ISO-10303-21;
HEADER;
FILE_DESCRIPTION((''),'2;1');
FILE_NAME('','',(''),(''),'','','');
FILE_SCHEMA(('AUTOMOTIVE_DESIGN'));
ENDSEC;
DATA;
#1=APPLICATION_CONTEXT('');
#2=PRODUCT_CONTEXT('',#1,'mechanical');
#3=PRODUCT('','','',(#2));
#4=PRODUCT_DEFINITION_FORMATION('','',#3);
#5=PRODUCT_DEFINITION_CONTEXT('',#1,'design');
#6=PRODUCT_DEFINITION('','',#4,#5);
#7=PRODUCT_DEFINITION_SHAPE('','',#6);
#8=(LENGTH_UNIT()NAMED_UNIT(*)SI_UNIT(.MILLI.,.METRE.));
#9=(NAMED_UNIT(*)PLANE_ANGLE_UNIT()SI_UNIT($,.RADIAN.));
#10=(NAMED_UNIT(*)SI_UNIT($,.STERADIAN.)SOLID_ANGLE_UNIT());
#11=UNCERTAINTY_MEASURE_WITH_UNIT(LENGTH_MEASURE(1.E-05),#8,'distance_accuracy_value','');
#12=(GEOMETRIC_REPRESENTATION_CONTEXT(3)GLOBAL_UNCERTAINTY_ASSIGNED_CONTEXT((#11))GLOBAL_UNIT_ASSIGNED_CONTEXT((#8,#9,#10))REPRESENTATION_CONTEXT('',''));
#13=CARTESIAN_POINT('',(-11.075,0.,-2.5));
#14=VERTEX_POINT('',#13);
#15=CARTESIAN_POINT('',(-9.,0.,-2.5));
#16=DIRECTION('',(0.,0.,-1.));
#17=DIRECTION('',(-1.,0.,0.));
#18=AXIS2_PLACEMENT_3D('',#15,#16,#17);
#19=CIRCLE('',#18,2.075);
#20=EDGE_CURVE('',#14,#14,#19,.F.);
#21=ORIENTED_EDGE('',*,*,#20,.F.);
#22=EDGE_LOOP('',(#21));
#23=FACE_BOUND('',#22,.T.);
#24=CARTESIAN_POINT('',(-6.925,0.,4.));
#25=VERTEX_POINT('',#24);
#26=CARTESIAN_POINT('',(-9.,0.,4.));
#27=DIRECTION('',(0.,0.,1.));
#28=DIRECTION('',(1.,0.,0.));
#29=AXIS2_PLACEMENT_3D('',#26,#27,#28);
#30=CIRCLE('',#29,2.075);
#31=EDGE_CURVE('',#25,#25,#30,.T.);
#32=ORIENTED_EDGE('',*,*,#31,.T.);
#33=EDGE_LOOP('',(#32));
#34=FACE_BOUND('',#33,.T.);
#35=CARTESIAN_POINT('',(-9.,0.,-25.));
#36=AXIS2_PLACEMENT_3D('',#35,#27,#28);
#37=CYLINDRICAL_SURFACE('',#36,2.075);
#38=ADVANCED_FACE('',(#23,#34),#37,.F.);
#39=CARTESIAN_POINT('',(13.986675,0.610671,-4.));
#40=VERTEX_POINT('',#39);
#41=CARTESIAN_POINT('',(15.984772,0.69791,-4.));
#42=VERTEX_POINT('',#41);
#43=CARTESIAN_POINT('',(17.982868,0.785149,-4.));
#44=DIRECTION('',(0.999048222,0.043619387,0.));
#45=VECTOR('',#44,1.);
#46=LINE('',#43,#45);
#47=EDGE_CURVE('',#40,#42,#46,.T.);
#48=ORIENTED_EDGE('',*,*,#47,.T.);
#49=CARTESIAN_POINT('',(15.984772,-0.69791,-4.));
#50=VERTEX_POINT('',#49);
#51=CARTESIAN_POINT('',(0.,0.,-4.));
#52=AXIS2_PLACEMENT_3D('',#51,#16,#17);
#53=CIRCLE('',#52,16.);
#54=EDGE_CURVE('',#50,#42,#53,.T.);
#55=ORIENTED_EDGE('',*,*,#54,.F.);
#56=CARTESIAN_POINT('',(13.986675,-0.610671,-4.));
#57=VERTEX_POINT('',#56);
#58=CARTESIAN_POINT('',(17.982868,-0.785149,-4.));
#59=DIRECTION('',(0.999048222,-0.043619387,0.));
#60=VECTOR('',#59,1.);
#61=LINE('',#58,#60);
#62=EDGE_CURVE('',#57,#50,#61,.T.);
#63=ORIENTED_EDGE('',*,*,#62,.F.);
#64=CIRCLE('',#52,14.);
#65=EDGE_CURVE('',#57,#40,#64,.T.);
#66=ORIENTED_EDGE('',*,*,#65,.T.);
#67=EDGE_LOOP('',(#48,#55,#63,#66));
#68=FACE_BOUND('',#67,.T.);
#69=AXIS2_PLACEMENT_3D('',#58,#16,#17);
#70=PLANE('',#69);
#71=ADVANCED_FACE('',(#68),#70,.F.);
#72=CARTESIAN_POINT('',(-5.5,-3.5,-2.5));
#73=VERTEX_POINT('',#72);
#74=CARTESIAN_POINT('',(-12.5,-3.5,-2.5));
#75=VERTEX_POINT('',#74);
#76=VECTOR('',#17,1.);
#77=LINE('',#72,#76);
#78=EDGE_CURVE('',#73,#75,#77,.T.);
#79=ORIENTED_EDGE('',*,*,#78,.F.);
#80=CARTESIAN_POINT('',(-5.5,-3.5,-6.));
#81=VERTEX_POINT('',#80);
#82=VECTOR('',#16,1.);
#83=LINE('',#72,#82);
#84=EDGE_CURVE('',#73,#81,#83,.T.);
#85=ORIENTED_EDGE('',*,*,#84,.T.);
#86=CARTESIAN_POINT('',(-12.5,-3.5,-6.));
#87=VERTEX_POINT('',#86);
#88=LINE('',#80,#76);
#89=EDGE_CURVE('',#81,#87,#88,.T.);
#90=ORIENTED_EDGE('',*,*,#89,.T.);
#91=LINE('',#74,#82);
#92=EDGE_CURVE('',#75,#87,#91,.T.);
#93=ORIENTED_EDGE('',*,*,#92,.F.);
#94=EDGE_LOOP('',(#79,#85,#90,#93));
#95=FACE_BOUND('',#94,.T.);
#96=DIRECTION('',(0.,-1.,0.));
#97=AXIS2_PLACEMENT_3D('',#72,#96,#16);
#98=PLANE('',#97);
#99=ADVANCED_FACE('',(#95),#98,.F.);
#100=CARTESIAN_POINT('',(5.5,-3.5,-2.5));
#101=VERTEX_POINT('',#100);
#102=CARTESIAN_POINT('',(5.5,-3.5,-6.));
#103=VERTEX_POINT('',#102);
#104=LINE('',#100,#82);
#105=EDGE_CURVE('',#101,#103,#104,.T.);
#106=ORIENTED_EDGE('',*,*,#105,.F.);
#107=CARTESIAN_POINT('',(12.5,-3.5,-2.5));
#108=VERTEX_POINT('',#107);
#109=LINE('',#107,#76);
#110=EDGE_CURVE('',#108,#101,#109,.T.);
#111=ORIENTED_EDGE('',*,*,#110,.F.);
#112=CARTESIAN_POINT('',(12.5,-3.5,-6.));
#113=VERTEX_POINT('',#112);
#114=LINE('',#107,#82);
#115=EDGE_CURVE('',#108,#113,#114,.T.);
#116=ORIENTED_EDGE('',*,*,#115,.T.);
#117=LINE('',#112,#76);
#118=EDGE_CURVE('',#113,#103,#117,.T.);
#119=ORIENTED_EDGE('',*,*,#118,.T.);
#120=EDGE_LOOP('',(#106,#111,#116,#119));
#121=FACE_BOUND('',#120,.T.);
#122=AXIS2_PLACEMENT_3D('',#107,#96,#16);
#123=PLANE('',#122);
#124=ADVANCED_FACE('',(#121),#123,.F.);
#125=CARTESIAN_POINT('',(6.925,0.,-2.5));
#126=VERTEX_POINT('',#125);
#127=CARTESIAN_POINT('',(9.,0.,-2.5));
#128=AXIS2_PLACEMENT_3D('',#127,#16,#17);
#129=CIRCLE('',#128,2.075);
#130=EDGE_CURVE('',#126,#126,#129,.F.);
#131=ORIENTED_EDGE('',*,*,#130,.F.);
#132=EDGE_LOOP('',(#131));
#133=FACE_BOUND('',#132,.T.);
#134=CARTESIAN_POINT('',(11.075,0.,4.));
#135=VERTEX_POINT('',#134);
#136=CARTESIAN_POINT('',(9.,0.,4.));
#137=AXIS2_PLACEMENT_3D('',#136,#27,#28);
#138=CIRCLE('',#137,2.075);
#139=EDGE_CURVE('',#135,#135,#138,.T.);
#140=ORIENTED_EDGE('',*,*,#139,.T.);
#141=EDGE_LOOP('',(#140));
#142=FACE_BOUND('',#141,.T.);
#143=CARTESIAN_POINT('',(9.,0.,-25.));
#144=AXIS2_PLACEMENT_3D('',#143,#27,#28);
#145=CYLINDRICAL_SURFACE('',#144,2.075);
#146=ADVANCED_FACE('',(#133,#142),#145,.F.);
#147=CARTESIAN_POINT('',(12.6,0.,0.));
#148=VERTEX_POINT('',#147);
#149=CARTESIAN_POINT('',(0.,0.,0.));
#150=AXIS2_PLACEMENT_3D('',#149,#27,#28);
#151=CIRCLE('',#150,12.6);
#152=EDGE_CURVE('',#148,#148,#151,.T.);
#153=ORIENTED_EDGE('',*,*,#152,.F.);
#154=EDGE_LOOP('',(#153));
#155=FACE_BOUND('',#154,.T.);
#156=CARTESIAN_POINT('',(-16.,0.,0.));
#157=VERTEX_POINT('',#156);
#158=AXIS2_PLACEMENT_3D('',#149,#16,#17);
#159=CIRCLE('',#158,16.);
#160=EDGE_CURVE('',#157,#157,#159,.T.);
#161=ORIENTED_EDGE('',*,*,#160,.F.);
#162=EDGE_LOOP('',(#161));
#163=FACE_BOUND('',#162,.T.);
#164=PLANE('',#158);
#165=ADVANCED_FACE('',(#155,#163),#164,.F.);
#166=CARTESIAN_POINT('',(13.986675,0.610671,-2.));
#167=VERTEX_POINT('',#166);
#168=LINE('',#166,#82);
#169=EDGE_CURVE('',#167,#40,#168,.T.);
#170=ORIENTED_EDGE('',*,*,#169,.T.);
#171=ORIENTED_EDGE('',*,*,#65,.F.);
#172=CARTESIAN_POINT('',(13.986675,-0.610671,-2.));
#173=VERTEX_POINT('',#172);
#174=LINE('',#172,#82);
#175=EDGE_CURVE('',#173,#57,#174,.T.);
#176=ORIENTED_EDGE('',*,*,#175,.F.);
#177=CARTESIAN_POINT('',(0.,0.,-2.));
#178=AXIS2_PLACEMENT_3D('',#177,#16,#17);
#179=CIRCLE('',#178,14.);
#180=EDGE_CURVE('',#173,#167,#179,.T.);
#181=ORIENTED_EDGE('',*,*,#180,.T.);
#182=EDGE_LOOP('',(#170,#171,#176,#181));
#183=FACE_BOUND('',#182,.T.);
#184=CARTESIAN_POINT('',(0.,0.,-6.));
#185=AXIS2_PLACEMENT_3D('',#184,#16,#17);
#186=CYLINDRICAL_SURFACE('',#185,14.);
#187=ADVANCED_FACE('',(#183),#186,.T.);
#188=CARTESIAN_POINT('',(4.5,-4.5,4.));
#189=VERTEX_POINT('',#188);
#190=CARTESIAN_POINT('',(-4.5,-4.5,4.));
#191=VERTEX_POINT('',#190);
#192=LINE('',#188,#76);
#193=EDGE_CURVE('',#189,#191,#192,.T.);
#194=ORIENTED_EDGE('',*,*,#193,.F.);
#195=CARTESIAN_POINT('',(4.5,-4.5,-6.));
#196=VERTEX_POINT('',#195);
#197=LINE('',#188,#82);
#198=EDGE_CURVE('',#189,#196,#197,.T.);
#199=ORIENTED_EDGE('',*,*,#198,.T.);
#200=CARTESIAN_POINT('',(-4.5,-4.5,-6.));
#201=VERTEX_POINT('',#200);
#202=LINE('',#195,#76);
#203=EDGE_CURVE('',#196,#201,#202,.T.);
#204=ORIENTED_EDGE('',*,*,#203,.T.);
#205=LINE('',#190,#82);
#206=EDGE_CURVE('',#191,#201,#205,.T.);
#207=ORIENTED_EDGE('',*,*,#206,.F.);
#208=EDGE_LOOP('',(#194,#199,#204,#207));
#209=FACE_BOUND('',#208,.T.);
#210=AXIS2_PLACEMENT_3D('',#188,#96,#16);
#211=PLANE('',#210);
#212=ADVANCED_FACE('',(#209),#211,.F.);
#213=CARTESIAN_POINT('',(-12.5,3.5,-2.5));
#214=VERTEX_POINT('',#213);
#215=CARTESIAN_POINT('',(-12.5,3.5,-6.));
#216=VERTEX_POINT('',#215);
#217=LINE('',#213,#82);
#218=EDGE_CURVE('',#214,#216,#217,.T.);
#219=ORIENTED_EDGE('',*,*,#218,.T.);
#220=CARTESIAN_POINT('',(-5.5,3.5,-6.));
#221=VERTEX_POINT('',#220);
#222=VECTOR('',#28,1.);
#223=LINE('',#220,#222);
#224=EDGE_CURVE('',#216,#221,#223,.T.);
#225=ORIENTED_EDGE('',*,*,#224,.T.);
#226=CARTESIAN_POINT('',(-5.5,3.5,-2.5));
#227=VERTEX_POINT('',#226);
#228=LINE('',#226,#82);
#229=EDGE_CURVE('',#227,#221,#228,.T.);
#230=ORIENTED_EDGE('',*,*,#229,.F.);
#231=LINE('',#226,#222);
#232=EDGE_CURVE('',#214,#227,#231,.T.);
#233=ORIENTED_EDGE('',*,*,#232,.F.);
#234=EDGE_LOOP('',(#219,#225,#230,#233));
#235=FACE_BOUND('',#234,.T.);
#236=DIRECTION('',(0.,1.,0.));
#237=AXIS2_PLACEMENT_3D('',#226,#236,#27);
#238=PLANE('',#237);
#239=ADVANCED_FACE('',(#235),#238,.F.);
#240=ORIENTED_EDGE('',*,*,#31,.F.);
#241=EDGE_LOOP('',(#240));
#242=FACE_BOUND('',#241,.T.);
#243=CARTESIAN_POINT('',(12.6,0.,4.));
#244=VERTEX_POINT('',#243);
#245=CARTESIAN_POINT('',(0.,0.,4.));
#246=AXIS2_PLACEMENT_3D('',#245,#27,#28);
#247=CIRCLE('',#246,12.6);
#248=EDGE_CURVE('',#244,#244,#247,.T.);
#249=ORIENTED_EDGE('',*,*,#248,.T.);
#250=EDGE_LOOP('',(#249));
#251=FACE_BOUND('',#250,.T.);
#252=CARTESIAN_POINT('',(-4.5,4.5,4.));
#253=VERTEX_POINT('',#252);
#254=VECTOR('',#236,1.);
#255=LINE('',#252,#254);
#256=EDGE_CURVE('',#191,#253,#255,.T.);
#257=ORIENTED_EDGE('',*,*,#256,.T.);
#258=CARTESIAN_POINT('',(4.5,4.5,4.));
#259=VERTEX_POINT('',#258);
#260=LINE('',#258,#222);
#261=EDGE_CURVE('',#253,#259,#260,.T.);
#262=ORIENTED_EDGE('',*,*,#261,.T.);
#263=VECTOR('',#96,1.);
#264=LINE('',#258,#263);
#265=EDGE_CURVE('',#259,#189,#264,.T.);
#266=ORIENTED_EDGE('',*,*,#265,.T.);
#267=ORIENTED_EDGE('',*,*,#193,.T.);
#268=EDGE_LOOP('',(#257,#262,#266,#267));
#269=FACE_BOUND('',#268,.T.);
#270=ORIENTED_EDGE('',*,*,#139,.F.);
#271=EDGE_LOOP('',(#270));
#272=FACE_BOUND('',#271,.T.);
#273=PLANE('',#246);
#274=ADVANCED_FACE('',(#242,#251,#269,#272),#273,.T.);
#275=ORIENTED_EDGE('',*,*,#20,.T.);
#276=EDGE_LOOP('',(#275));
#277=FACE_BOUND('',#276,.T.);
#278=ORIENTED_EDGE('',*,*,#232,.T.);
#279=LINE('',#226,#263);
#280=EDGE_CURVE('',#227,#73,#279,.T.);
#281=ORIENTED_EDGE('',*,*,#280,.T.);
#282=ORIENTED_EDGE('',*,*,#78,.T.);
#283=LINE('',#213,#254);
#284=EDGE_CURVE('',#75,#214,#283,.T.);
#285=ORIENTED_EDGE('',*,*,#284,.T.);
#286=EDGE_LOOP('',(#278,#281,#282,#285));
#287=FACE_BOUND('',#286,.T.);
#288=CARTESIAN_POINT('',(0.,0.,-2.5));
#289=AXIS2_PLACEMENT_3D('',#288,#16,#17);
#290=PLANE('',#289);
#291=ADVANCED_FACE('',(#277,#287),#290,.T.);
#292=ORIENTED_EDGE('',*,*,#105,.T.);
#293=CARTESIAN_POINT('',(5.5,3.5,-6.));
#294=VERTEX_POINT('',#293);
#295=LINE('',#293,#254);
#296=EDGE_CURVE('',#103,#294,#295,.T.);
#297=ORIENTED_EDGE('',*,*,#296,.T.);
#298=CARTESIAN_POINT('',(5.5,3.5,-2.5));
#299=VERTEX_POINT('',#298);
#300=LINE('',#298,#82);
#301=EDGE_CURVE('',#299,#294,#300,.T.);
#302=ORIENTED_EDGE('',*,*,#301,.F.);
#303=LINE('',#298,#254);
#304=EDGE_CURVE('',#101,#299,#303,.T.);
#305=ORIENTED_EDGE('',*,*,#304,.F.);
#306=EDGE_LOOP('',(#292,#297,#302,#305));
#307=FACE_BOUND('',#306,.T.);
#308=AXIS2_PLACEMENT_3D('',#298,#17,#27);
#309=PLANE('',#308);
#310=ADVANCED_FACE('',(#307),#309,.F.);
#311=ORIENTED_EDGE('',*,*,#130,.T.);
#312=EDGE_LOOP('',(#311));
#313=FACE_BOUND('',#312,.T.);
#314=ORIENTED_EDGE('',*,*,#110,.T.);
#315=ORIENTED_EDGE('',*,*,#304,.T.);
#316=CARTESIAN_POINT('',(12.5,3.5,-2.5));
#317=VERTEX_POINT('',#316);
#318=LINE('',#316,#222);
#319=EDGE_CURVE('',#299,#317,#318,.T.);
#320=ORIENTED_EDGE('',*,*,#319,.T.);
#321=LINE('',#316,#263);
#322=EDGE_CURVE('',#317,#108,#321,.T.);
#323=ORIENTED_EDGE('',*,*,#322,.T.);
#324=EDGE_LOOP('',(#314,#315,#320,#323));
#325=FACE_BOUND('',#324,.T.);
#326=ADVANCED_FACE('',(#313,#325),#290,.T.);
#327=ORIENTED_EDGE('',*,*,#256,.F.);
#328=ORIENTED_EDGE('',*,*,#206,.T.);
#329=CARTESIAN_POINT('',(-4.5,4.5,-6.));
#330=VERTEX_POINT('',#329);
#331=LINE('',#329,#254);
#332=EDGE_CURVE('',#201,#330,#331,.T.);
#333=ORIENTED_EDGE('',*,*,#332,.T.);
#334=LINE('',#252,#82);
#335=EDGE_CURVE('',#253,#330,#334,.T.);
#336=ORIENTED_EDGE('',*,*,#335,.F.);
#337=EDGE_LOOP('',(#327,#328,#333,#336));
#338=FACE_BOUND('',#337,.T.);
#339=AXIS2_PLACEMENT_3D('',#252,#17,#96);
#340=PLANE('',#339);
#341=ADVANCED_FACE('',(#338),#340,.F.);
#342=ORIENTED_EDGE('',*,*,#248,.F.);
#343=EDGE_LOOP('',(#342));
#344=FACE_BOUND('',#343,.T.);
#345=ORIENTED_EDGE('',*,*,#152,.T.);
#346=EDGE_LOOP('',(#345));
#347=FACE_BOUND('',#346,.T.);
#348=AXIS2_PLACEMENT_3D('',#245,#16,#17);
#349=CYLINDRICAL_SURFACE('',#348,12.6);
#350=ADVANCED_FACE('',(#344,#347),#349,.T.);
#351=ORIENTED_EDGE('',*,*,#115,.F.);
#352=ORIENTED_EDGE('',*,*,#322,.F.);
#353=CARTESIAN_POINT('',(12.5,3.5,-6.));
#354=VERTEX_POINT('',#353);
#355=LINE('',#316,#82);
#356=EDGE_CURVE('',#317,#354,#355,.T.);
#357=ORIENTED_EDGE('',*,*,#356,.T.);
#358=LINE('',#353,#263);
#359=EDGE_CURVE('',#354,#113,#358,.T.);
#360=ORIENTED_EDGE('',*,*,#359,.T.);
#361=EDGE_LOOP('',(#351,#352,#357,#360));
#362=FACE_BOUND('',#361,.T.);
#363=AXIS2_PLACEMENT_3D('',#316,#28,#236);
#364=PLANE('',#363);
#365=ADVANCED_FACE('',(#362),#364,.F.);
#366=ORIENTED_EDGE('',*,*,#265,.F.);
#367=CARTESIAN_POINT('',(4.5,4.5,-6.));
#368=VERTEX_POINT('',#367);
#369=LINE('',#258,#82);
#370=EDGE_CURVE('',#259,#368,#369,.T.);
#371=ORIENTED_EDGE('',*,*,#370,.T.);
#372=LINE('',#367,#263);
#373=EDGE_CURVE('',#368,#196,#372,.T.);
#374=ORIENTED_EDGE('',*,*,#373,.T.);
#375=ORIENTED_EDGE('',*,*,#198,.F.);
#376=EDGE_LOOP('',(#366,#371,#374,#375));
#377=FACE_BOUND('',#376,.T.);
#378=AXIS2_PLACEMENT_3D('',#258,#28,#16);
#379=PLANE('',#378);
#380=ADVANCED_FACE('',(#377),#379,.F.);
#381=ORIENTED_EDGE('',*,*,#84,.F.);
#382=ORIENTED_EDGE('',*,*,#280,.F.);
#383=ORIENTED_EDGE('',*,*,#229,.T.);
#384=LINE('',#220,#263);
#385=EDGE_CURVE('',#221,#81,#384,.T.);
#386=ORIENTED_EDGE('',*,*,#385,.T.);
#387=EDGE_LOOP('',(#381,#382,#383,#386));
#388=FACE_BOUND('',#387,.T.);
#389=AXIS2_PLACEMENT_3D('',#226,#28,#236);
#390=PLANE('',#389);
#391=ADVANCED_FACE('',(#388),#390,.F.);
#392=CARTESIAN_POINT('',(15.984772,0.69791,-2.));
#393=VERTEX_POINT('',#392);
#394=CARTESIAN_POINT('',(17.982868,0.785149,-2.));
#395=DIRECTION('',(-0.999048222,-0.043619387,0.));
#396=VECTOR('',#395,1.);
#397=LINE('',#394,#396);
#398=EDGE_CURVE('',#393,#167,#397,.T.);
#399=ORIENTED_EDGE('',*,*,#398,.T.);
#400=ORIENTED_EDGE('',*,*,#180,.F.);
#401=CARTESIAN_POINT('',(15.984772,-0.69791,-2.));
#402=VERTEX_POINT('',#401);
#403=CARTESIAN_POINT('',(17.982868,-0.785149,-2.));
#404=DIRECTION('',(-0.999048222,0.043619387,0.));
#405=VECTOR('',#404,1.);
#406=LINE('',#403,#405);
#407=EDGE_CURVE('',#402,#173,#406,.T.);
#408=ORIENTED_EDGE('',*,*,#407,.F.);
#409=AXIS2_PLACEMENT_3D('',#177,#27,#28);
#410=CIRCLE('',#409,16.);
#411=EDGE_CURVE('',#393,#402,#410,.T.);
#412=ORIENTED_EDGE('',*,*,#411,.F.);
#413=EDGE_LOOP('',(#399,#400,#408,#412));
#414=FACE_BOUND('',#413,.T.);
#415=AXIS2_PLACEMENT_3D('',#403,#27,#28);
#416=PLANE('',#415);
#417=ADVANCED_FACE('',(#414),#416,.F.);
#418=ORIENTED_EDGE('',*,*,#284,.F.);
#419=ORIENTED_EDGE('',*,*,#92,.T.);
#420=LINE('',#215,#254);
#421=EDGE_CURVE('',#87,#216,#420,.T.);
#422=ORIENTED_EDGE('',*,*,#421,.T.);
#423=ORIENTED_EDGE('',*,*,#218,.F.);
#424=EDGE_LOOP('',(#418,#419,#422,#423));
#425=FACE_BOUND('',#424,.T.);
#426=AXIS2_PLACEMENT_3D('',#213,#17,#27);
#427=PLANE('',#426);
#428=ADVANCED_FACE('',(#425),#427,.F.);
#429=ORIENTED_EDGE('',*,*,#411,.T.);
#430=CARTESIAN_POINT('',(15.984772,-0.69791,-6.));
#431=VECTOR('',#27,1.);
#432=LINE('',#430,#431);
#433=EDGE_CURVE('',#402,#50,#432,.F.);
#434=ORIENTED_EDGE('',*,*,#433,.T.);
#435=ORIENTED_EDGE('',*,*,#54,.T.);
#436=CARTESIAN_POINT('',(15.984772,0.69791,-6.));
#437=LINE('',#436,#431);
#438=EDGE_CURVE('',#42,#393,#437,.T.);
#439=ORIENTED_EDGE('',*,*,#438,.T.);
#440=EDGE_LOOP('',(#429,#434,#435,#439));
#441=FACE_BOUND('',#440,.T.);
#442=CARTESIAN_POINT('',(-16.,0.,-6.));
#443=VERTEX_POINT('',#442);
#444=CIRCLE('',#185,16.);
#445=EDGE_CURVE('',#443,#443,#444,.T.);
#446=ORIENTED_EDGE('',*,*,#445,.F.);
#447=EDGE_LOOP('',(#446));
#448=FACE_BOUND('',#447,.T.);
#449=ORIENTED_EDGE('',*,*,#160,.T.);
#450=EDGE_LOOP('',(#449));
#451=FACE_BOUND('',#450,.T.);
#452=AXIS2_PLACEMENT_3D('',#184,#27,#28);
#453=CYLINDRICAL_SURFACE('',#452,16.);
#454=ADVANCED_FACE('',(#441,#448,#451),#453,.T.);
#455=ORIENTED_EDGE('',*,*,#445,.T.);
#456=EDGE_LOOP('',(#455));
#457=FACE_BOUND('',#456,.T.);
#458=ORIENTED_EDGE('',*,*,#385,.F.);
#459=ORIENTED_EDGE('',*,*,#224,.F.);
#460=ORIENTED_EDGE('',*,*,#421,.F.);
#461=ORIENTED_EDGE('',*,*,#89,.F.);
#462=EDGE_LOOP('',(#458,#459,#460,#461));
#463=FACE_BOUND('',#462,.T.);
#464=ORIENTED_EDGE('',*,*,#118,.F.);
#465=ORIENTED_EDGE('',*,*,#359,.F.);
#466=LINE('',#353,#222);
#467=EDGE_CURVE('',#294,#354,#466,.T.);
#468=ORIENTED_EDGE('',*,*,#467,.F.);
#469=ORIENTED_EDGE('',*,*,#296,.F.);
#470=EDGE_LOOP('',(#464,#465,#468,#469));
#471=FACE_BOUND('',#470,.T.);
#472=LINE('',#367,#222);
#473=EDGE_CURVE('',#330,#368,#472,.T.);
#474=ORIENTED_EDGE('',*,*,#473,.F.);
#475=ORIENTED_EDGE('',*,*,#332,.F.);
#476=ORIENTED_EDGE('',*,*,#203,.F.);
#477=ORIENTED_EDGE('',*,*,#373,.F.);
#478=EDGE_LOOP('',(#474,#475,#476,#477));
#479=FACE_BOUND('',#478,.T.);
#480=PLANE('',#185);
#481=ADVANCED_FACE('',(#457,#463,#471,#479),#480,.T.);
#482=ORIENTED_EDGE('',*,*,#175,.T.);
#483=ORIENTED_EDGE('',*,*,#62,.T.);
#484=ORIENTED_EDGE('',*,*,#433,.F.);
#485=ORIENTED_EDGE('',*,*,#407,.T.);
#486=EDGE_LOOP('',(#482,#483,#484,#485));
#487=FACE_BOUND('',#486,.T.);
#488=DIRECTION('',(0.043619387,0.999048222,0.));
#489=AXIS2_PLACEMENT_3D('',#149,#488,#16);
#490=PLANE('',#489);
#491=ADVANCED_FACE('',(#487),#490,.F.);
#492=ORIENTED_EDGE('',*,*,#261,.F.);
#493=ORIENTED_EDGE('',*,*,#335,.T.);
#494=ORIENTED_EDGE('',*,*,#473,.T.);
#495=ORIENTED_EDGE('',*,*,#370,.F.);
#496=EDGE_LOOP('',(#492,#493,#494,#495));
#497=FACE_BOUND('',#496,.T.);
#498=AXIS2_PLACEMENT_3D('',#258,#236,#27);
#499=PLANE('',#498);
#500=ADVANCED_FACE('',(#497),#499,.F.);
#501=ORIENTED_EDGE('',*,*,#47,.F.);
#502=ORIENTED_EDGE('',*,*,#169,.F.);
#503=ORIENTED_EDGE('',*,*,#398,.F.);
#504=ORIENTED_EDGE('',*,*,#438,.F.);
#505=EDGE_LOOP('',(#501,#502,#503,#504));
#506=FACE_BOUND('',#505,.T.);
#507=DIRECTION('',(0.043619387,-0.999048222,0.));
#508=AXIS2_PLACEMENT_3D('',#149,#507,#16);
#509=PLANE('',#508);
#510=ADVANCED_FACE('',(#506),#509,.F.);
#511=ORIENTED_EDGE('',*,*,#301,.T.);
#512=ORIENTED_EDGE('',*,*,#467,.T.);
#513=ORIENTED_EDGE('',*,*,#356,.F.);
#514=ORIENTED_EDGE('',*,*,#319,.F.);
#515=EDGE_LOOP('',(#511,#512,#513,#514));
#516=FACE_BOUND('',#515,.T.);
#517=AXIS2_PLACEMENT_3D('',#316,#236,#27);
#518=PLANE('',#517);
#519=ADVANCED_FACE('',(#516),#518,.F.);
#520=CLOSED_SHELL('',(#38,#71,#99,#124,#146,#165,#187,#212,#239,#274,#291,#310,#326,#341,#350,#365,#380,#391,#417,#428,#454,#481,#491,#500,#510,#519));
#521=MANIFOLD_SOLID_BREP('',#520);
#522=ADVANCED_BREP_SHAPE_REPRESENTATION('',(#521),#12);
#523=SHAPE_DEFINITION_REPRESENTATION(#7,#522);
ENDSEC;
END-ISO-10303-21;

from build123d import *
from build123d.topology import SkipClean

# Parameters (mm, degrees)
SKETCH_1_R          = 12.6
EXTRUDE_1_DEPTH     = 4
SKETCH_2_R          = 16
EXTRUDE_2_DEPTH     = 6
SKETCH_4_R          = 2.075
CUT_EXTRUDE_1_DEPTH = 29
SKETCH_6_W          = 7
SKETCH_6_H          = 7
CUT_EXTRUDE_2_DEPTH = 3.5
CUT_EXTRUDE_3_DEPTH = 31
SKETCH_14_W         = 9
SKETCH_14_H         = 9
CUT_EXTRUDE_6_DEPTH = 10
SKETCH_15_W         = 4
SKETCH_15_H         = 2
CUT_REVOLVE_1_ANGLE = 177.5


with BuildPart() as part:
    # 草图1 → 凸台-拉伸1 (new body)
    with BuildSketch(Plane.XY):
        Circle(SKETCH_1_R)
    extrude(amount=EXTRUDE_1_DEPTH)

    # 草图2 → 凸台-拉伸2 (add)
    with BuildSketch(Plane(origin=(0, 0, 0), x_dir=(-1, 0, 0), z_dir=(0, 0, -1))):
        Circle(SKETCH_2_R)
    extrude(amount=EXTRUDE_2_DEPTH)

    # 草图4 → 切除-拉伸1 (cut)
    with BuildSketch(Plane.XY.offset(4)):
        with Locations((-9, 0)):
            Circle(SKETCH_4_R)
        with Locations((9, 0)):
            Circle(SKETCH_4_R)
    extrude(amount=-CUT_EXTRUDE_1_DEPTH, mode=Mode.SUBTRACT)

    # 草图6 → 切除-拉伸2 (cut)
    with BuildSketch(Plane(origin=(0, 0, -6), x_dir=(-1, 0, 0), z_dir=(0, 0, -1))):
        with Locations((-9, 0)):
            Rectangle(SKETCH_6_W, SKETCH_6_H)
        with Locations((9, 0)):
            Rectangle(SKETCH_6_W, SKETCH_6_H)
    extrude(amount=-CUT_EXTRUDE_2_DEPTH, mode=Mode.SUBTRACT)

    # 草图7 → 切除-拉伸3 (cut)
    with BuildSketch(Plane(origin=(0, 0, -6), x_dir=(-1, 0, 0), z_dir=(0, 0, -1))):
        with BuildLine():
            Line((-1.466500938, -0.7), (1.466500938, -0.7))
            ThreePointArc((1.466500938, -0.7), (0, 1.625), (-1.466500938, -0.7))
        make_face()
    extrude(amount=-CUT_EXTRUDE_3_DEPTH, mode=Mode.SUBTRACT)

    # 草图14 → 切除-拉伸6 (cut)
    with BuildSketch(Plane(origin=(0, 0, -6), x_dir=(-1, 0, 0), z_dir=(0, 0, -1))):
        Rectangle(SKETCH_14_W, SKETCH_14_H)
    extrude(amount=-CUT_EXTRUDE_6_DEPTH, mode=Mode.SUBTRACT)

    # 草图15 → 切除-旋转1 (revolve, cut)
    with BuildSketch(Plane(origin=(0, 0, 0), x_dir=(1, 0, 0), z_dir=(0, 1, 0))):
        with Locations((-16, 3)):
            Rectangle(SKETCH_15_W, SKETCH_15_H)
    cut_revolve_1 = revolve(axis=Axis((0, 0, -6), (0, 0, 1)), revolution_arc=CUT_REVOLVE_1_ANGLE, mode=Mode.SUBTRACT)

    # 镜向1: 切除-旋转1 across plane
    with SkipClean():  # the faces are left unmerged after this step: merging them gives an invalid solid
        add(cut_revolve_1.mirror(Plane.ZX), mode=Mode.SUBTRACT)


solid = part.part
